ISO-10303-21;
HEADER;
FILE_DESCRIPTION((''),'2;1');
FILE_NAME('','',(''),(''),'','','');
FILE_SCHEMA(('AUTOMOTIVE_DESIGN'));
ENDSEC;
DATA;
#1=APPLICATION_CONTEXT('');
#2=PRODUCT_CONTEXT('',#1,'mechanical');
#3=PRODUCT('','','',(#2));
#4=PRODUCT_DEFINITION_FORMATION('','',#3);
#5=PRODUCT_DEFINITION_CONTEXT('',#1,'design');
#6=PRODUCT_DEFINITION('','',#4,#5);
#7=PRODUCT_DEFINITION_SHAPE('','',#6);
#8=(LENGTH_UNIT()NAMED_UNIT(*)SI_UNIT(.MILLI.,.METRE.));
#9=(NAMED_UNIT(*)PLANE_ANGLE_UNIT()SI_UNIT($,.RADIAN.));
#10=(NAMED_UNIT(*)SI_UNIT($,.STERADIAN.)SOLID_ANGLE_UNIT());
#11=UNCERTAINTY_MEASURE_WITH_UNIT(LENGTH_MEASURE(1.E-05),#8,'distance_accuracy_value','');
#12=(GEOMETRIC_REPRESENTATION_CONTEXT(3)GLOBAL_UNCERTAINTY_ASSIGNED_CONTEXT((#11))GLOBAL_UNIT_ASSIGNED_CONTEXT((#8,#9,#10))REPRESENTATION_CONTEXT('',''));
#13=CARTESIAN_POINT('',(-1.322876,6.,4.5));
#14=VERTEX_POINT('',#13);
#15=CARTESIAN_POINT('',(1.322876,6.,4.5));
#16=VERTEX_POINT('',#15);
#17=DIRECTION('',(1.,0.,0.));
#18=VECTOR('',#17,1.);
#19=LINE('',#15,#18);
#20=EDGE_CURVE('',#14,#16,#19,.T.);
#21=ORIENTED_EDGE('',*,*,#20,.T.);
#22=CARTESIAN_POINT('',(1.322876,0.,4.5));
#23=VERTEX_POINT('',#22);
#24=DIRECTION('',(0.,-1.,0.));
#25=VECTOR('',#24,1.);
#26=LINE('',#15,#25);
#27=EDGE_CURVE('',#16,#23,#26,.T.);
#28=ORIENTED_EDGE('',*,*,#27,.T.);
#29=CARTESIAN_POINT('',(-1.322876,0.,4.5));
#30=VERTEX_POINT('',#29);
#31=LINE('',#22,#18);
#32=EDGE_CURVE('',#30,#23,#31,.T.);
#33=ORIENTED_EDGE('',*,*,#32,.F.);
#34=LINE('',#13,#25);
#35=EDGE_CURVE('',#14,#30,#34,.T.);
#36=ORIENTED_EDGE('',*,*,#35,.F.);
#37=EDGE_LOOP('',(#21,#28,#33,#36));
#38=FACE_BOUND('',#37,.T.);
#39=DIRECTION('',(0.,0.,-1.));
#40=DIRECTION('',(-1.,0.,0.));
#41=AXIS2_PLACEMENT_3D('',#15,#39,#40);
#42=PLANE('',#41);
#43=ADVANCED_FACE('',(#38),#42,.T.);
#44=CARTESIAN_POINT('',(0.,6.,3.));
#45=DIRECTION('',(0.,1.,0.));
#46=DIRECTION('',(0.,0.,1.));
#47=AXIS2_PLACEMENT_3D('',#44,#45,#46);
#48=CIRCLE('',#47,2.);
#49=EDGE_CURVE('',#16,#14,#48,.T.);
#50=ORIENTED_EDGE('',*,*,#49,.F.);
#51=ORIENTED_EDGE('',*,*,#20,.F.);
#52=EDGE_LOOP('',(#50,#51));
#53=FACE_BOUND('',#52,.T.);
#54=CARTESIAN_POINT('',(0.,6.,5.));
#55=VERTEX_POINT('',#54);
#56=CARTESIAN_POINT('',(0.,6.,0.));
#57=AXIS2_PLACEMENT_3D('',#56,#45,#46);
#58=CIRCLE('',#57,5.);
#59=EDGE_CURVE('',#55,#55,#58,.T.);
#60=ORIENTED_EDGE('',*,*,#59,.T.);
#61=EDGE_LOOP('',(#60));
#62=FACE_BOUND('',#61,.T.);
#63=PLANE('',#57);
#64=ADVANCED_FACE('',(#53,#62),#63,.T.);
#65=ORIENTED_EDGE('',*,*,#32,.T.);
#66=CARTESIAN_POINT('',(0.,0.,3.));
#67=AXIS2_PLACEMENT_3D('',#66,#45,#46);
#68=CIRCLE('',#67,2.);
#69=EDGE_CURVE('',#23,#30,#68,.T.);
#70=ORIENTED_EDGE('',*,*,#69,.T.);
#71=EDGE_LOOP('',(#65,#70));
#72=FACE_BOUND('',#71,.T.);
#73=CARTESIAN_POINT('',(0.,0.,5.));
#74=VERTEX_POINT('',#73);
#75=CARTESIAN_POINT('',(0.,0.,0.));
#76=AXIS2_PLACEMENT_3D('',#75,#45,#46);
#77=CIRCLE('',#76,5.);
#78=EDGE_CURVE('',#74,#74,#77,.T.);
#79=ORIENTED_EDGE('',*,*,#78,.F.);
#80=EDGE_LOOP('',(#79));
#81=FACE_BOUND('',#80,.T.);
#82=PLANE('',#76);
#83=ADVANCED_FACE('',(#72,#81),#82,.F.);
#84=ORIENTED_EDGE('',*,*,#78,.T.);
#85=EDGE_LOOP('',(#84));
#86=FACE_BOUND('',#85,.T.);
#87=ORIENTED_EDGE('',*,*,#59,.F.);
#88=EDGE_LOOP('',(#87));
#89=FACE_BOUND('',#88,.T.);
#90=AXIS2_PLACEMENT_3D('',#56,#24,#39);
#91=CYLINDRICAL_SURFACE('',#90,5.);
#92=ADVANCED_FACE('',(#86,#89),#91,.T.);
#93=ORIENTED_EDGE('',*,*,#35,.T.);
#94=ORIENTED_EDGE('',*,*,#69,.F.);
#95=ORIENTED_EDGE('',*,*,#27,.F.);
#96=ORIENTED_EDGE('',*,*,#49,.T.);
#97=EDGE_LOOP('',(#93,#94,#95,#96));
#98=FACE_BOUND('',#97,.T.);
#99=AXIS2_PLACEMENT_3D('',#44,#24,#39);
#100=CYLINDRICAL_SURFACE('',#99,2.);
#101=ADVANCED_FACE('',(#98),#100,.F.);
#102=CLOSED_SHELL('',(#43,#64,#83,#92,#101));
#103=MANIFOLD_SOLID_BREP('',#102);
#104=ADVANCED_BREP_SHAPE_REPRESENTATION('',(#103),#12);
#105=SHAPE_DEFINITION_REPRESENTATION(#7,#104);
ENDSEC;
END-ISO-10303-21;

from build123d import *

# Parameters (mm, degrees)
SKETCH1_R           = 5
BOSS_EXTRUDE1_DEPTH = 6


with BuildPart() as part:
    # Sketch1 → Boss-Extrude1 (new body)
    with BuildSketch(Plane(origin=(0, 0, 0), x_dir=(1, 0, 0), z_dir=(0, 1, 0))):
        Circle(SKETCH1_R)
        with BuildLine():
            Line((1.322875656, -4.5), (-1.322875656, -4.5))
            ThreePointArc((-1.322875656, -4.5), (0, -1), (1.322875656, -4.5))
        make_face(mode=Mode.SUBTRACT)
    extrude(amount=BOSS_EXTRUDE1_DEPTH)


solid = part.part
